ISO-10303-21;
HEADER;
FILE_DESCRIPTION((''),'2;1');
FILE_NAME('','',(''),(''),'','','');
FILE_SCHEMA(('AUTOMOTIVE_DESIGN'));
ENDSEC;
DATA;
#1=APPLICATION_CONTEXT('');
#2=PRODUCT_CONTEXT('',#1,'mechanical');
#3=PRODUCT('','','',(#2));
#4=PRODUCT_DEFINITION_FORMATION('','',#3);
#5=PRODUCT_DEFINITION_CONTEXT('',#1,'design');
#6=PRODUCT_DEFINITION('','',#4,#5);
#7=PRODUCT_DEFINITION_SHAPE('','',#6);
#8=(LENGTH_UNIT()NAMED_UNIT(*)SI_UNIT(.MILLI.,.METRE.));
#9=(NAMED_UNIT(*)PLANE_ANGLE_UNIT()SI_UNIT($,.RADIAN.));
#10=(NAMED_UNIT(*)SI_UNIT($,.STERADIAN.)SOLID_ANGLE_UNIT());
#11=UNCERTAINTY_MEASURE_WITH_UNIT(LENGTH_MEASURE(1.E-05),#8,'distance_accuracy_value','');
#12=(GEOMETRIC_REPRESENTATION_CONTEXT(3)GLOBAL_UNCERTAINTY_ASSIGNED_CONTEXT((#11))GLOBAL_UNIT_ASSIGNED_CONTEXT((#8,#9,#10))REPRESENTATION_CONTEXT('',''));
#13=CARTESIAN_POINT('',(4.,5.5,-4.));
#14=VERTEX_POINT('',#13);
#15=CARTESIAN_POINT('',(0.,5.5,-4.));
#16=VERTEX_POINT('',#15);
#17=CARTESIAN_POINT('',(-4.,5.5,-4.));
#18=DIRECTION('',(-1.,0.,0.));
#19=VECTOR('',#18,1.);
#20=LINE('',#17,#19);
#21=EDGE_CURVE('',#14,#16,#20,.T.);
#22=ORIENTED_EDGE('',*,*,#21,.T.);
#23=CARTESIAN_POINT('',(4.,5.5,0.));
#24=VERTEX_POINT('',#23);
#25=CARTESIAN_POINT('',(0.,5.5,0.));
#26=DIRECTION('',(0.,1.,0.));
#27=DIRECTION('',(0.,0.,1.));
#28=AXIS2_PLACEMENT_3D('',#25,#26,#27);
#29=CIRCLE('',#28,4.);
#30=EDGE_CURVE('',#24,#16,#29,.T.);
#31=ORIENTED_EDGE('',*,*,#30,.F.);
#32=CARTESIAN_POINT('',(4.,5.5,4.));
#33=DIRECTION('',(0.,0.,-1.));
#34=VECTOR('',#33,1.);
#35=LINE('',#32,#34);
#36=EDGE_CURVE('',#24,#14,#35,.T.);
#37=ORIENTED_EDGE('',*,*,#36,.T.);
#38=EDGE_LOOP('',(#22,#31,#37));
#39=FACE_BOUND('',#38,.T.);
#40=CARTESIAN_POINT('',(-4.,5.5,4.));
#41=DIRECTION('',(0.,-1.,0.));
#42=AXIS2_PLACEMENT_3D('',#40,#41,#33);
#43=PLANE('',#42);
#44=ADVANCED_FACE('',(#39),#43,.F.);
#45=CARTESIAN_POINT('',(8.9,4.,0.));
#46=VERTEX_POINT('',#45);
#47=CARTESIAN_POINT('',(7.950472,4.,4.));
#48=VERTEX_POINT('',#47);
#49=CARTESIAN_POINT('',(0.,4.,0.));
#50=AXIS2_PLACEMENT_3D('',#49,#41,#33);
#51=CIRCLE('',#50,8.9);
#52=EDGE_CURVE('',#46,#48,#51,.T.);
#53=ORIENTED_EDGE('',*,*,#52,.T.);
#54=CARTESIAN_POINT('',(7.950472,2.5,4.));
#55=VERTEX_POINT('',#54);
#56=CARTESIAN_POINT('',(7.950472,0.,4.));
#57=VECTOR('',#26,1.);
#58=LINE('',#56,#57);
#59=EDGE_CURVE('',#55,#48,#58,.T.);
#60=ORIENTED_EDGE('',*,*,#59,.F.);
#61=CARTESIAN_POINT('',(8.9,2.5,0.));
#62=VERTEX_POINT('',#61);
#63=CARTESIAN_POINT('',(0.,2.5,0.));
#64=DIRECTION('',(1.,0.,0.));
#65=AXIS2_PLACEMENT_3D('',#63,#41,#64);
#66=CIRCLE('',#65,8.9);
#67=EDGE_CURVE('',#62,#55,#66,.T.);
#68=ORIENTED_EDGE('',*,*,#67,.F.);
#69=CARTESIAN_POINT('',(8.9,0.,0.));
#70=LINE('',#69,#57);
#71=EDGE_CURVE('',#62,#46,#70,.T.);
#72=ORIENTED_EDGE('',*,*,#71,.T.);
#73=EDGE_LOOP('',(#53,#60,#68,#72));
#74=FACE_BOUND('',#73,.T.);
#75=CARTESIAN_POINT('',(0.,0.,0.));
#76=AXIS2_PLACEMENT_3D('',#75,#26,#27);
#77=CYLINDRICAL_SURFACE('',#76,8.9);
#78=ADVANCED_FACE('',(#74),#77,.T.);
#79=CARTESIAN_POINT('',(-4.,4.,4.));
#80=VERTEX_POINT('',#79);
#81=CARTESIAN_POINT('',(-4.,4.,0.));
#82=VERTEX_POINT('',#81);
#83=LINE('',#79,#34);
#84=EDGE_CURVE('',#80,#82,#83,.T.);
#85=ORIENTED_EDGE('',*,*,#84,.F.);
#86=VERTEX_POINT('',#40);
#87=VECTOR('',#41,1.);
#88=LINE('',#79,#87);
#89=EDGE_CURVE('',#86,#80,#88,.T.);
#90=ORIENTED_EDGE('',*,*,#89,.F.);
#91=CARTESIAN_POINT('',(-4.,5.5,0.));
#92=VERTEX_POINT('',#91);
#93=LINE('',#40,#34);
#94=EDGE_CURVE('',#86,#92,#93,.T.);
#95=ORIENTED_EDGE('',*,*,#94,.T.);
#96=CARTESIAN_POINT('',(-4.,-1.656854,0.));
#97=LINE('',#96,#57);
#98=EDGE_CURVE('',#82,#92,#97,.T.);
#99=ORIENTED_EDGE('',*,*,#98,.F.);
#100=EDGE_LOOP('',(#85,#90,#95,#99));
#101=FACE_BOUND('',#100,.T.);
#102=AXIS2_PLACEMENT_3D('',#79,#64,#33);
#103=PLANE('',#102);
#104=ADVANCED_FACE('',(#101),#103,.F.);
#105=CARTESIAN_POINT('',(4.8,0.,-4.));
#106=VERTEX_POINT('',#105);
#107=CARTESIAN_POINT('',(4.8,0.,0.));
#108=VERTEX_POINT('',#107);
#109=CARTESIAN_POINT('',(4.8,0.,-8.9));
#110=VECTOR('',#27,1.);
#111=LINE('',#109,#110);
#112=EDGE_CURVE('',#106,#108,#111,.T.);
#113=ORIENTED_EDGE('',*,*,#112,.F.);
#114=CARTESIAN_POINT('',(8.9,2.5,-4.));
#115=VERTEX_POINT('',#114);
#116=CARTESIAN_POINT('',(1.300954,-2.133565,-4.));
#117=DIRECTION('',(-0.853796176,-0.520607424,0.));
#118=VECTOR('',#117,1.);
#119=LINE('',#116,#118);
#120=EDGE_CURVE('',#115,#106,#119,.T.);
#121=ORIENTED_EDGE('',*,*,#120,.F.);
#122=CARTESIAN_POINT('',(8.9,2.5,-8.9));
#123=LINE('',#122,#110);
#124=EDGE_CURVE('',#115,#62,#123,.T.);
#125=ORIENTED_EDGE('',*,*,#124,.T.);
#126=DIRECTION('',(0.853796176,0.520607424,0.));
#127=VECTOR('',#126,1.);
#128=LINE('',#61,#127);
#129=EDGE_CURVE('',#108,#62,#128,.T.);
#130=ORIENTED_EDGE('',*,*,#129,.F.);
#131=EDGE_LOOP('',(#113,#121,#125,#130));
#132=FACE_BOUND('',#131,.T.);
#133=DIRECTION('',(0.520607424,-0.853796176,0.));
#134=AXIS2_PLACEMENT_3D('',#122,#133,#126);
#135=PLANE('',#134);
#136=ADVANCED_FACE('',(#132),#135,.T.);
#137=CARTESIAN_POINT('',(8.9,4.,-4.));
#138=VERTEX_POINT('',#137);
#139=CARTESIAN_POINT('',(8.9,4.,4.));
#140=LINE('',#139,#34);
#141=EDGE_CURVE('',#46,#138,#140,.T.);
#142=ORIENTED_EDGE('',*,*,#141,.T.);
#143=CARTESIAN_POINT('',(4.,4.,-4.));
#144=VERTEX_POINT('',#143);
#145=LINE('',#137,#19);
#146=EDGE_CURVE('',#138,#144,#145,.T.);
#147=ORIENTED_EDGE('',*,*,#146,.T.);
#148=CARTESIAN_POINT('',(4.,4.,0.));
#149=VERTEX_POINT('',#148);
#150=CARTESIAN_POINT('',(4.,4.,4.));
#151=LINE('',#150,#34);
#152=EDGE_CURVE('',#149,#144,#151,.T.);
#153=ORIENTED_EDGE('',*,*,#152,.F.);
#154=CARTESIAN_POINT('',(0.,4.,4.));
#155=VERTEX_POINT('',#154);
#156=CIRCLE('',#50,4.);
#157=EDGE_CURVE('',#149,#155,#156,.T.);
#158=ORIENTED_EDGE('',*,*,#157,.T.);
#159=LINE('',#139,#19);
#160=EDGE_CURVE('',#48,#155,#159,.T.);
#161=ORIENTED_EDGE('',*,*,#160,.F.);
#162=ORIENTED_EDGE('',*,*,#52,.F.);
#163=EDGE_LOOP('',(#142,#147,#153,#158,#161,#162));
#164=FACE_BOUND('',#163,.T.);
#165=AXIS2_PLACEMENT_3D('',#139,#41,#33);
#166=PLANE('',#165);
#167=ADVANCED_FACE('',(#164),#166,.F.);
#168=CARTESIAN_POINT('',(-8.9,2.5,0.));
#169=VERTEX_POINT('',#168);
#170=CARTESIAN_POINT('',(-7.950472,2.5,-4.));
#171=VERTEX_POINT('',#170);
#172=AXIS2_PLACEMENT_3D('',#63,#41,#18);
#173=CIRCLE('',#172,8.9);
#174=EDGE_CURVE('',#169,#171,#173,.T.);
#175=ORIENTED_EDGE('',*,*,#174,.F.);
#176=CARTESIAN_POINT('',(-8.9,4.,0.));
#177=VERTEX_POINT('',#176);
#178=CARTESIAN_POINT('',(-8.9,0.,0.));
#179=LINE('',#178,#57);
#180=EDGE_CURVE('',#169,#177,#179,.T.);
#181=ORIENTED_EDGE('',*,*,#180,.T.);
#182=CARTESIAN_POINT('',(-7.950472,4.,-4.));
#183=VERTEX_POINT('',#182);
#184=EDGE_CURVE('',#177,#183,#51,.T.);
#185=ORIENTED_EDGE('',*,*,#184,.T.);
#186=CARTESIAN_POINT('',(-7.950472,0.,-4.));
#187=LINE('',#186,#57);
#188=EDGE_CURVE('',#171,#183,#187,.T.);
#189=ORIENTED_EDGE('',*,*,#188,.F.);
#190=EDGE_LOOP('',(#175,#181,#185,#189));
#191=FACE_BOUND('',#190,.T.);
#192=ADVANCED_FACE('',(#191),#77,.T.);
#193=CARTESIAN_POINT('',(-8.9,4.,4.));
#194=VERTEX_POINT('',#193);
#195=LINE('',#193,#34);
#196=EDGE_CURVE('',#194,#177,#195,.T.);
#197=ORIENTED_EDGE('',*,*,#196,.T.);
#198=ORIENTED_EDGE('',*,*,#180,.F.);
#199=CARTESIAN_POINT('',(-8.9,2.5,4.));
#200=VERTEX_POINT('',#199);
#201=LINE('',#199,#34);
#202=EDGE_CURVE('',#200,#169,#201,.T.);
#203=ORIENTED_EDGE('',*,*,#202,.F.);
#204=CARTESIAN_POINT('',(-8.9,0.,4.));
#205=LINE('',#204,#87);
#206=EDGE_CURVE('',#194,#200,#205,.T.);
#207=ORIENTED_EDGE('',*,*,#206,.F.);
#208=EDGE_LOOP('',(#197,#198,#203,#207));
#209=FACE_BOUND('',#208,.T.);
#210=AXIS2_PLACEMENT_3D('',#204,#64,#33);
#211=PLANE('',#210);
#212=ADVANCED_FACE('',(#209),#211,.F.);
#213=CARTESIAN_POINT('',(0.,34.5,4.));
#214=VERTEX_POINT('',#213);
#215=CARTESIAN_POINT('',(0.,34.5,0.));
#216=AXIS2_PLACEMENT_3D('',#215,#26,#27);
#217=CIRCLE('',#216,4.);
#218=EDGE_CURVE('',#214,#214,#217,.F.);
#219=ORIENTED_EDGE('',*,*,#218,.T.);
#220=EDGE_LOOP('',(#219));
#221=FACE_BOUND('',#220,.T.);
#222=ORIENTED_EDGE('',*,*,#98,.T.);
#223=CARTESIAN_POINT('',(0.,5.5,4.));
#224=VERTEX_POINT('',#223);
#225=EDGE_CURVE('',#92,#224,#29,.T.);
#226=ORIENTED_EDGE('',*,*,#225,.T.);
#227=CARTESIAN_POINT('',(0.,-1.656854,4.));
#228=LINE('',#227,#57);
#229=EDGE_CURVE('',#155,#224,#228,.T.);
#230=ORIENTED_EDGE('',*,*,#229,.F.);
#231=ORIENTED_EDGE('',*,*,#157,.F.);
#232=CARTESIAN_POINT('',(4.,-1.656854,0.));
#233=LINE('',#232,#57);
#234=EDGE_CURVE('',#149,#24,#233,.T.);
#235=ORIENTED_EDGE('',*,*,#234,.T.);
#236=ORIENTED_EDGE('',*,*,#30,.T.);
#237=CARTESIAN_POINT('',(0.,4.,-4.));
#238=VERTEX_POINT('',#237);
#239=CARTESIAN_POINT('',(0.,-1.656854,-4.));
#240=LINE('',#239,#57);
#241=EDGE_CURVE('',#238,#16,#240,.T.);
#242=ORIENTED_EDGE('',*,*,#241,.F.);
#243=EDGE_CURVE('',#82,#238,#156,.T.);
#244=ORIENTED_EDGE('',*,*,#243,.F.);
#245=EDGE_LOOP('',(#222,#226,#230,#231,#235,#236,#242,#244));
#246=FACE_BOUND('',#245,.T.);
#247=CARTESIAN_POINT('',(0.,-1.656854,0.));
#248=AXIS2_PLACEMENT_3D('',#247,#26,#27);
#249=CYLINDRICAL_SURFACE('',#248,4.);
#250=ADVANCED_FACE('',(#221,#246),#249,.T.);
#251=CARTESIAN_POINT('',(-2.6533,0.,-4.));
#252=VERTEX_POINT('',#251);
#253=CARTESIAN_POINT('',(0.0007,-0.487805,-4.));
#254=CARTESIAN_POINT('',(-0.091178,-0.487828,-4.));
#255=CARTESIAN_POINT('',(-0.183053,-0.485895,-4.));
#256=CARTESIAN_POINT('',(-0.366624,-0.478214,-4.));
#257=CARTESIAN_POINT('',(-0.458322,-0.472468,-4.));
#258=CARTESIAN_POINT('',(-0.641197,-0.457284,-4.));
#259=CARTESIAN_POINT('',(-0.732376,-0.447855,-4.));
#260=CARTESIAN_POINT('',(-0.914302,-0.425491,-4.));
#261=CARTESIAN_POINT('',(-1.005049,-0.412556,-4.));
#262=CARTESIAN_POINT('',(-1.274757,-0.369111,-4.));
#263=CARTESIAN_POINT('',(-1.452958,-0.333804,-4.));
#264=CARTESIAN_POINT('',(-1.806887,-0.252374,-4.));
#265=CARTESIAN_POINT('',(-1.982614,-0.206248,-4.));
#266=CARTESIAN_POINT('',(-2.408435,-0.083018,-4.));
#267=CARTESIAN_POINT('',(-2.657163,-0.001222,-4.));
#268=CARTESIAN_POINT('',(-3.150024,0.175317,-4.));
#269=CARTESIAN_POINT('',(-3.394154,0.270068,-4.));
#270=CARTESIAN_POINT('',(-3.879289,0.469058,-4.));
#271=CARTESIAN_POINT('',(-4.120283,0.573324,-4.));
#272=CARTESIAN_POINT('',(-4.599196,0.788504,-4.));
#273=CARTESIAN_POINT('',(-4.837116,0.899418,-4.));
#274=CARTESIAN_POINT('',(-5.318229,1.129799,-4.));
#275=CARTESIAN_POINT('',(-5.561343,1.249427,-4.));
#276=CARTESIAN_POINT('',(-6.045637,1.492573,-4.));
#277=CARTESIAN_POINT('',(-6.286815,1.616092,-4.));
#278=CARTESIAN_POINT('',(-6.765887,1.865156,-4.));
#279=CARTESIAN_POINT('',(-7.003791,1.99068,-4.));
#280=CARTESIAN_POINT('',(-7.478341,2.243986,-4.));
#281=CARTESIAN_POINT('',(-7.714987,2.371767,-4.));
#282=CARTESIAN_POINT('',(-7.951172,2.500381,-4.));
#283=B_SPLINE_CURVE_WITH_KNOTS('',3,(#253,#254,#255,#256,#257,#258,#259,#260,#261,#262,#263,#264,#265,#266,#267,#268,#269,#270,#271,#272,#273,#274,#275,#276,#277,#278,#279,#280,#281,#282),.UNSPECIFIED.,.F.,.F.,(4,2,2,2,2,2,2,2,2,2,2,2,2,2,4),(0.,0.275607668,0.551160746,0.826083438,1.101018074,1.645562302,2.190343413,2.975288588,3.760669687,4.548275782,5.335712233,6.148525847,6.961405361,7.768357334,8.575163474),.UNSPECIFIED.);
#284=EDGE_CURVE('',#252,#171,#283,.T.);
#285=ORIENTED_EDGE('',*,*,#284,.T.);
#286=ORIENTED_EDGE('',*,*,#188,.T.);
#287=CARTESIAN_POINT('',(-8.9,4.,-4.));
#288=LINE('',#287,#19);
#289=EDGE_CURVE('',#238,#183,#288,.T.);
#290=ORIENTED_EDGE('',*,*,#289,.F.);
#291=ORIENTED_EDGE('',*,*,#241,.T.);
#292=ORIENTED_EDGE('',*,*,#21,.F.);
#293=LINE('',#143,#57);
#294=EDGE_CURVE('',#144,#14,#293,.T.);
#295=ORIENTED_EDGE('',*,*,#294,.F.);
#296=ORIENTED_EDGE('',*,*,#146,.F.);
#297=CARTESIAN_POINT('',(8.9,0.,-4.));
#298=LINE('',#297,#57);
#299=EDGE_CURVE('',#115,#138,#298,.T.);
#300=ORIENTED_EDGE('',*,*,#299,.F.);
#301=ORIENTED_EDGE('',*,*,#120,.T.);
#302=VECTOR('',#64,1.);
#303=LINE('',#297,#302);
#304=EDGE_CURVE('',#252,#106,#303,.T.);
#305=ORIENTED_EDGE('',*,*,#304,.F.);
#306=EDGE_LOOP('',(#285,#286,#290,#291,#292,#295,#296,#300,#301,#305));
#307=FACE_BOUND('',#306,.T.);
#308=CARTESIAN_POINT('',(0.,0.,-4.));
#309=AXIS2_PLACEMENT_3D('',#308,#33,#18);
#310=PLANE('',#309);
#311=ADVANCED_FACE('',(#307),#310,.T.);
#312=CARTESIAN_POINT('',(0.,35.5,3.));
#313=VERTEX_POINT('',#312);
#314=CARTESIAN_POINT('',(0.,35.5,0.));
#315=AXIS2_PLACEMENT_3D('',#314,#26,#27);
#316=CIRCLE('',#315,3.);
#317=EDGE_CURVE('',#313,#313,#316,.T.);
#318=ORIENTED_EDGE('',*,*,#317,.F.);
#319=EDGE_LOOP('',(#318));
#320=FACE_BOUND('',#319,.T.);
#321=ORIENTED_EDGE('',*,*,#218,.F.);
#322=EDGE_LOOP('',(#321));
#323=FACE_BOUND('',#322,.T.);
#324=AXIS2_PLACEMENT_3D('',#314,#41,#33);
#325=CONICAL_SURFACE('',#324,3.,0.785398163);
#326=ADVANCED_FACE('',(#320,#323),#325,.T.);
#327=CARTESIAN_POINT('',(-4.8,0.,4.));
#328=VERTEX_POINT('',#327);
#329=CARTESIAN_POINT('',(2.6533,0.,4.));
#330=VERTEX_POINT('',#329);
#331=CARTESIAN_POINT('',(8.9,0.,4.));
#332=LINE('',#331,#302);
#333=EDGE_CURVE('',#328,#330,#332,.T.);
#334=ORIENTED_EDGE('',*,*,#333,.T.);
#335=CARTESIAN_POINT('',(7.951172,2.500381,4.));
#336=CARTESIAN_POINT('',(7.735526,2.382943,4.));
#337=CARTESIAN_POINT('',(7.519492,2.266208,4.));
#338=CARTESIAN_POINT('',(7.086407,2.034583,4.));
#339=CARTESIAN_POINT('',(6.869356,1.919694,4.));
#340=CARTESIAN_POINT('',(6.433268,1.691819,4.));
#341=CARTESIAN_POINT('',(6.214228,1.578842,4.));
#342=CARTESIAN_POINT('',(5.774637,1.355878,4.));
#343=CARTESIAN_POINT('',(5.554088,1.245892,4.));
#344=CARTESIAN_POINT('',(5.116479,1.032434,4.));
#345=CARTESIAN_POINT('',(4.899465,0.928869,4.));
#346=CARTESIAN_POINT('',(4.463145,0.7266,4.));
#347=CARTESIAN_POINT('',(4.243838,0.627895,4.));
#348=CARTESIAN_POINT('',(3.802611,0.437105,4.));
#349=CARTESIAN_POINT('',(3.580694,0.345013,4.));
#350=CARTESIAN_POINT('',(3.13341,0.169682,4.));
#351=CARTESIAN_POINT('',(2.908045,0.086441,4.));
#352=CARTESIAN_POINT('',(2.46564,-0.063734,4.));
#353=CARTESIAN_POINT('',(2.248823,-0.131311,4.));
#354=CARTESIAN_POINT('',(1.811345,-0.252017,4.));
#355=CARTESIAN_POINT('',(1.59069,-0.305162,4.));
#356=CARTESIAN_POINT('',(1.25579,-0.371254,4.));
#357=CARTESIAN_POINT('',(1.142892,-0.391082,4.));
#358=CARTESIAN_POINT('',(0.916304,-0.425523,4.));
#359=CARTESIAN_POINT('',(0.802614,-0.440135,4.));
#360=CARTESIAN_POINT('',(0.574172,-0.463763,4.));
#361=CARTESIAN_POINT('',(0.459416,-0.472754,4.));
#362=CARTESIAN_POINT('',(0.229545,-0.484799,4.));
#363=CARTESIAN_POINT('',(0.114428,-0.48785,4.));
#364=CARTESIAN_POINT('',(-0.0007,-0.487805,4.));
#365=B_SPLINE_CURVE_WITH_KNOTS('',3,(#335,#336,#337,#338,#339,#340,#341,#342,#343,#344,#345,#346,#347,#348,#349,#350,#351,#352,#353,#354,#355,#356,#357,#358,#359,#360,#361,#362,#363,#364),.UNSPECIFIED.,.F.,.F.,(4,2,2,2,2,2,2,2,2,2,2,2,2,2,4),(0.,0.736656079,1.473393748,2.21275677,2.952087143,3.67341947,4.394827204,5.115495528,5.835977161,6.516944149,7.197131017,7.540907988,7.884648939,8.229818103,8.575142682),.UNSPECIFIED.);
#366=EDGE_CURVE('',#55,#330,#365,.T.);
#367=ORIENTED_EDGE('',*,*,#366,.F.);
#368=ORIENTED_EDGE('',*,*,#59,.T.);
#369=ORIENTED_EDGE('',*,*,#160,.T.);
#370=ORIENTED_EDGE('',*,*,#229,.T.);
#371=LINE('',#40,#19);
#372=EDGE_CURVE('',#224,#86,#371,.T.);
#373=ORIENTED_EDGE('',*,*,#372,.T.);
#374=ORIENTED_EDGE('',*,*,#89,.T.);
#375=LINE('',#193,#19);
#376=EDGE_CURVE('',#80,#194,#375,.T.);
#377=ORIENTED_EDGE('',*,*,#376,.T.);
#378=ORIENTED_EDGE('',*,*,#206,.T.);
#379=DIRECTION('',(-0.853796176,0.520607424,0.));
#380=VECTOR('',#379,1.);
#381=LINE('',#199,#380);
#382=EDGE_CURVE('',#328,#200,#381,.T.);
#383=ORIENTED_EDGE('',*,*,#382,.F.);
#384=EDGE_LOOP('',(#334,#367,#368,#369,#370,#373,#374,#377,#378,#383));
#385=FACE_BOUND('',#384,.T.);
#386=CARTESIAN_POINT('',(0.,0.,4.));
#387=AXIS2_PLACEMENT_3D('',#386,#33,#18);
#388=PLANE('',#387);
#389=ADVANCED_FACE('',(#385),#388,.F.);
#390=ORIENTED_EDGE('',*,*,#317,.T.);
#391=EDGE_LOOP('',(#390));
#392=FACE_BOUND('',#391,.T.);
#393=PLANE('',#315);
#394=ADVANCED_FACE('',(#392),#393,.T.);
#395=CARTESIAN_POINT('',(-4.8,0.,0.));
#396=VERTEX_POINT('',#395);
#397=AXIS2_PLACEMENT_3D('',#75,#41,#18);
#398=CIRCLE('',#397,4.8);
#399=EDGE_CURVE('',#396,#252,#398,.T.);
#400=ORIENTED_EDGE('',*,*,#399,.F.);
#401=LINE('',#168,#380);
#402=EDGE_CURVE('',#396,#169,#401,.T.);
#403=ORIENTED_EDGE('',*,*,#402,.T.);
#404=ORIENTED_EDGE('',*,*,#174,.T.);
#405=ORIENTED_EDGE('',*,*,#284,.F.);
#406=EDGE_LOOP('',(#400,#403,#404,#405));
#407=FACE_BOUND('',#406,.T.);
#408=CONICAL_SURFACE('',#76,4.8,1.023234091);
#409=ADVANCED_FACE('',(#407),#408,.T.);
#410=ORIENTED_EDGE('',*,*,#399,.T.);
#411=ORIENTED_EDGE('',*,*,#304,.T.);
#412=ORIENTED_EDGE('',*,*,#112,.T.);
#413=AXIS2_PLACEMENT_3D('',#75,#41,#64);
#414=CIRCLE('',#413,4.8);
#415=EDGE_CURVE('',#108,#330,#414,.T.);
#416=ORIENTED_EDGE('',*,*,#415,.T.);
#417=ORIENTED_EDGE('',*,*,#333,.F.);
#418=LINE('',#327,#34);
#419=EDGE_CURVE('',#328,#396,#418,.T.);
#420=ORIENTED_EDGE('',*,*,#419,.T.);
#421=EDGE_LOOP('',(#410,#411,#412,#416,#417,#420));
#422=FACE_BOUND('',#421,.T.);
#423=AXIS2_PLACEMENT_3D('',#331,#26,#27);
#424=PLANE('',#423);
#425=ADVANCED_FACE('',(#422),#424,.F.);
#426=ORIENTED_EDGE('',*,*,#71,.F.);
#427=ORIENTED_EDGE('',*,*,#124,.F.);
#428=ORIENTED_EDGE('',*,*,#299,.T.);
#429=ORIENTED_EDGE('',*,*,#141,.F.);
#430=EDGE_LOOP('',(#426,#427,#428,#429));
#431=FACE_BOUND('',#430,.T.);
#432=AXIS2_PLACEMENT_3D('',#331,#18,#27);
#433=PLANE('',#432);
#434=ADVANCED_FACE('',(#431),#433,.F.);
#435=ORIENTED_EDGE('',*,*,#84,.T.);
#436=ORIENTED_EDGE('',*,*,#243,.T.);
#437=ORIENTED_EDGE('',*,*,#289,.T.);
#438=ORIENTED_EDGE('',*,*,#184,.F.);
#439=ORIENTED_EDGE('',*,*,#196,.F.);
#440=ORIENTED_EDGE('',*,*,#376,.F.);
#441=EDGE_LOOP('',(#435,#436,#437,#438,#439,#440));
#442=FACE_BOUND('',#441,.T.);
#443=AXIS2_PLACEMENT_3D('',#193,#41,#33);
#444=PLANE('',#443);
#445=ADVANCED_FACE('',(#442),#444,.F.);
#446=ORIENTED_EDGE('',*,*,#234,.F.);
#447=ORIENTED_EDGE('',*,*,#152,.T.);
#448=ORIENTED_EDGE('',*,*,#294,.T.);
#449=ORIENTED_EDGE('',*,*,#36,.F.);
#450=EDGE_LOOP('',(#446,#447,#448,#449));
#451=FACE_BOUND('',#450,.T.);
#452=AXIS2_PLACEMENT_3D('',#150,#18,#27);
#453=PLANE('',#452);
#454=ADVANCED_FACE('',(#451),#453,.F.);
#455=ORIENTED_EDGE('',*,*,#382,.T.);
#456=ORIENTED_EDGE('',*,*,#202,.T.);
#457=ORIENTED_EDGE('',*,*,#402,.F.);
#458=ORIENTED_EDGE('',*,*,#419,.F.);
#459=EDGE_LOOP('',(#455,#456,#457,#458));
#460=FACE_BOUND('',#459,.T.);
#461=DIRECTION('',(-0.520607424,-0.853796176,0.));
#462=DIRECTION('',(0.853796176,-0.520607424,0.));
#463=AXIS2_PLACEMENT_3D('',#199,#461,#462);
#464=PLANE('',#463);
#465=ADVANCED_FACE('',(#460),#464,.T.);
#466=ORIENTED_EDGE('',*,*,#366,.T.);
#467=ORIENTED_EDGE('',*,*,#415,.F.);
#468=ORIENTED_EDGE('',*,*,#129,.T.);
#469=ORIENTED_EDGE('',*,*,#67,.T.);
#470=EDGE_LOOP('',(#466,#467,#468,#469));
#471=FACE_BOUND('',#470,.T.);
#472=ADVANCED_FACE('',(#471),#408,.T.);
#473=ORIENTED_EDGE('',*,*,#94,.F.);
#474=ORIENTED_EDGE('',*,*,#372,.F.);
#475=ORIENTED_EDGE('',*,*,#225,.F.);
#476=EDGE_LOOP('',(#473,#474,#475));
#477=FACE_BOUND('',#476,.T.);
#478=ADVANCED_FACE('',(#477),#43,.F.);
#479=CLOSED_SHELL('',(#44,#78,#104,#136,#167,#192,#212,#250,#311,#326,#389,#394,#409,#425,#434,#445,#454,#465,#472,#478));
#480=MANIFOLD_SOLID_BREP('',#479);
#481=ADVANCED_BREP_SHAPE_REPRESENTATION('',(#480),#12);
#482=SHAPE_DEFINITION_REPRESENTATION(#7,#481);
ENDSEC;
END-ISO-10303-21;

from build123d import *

# Parameters (mm, degrees)
EXTRUDE_1_DEPTH     = 4
CUT_EXTRUDE_1_DEPTH = 1.5
SKETCH_2_R          = 4
EXTRUDE_2_DEPTH     = 30
CUT_EXTRUDE_2_DEPTH = 5
CHAMFER_2_SIZE      = 1


with BuildPart() as part:
    # Эскиз1 → Бобышка-Вытянуть1 (new body, symmetric)
    with BuildSketch(Plane.XY):
        Polygon((8.9, 0), (-8.9, 0), (-8.9, 4), (-4, 4), (-4, 5.5), (4, 5.5), (4, 4), (8.9, 4), align=None)
    extrude(amount=EXTRUDE_1_DEPTH, both=True)

    # Эскиз3 → Вырез-Вытянуть1 (cut)
    with BuildSketch(Plane(origin=(0, 5.5, 0), x_dir=(1, 0, 0), z_dir=(0, 1, 0))):
        with BuildLine():
            Line((-4, 0), (-4, 4))
            Line((-4, 4), (0, 4))
            ThreePointArc((0, 4), (-2.828427125, 2.828427125), (-4, 0))
        make_face()
        with BuildLine():
            Line((0, -4), (4, -4))
            Line((4, -4), (4, 0))
            ThreePointArc((4, 0), (2.828427125, -2.828427125), (0, -4))
        make_face()
    extrude(amount=-CUT_EXTRUDE_1_DEPTH, mode=Mode.SUBTRACT)

    # Эскиз2 → Бобышка-Вытянуть2 (add)
    with BuildSketch(Plane(origin=(0, 5.5, 0), x_dir=(1, 0, 0), z_dir=(0, 1, 0))):
        with Locations(Location((0, 0, 0), (0, 0, 270))):  # turned: the seam where the file's is
            Circle(SKETCH_2_R)
    extrude(amount=EXTRUDE_2_DEPTH)

    # Эскиз4 → Вырез-Вытянуть2 (cut, through all)
    with BuildSketch(Plane(origin=(0, 4, 0), x_dir=(1, 0, 0), z_dir=(0, 1, 0))):
        with BuildLine():
            Line((-7.950471684, 4), (-8.9, 4))
            Line((-8.9, 4), (-8.9, 0))
            ThreePointArc((-8.9, 0), (-8.659364815, 2.055578022), (-7.950471684, 4))
        make_face()
        with BuildLine():
            Line((7.950471684, -4), (8.9, -4))
            Line((8.9, -4), (8.9, 0))
            ThreePointArc((8.9, 0), (8.659364815, -2.055578022), (7.950471684, -4))
        make_face()
    extrude(amount=-CUT_EXTRUDE_2_DEPTH, mode=Mode.SUBTRACT)

    # Вырез-По траектории1: sweep along a path in Эскиз6
    with BuildLine(Plane.XZ) as sweep_1_path:
        Line((0, -8.9), (8.9, -8.9))
        Line((8.9, -8.9), (8.9, 0))
        ThreePointArc((8.9, 0), (6.293250353, 6.293250353), (0, 8.9))
        Line((0, 8.9), (-8.9, 8.9))
        Line((-8.9, 8.9), (-8.9, 0))
        ThreePointArc((-8.9, 0), (-6.293250353, -6.293250353), (0, -8.9))
    # Эскиз5 → Вырез-По траектории1 (sweep, cut)
    with BuildSketch(Plane.XY.offset(4)):
        Polygon((-8.9, 2.5), (-4.8, 0), (-8.9, 0), align=None)
    sweep(path=sweep_1_path.line, transition=Transition.RIGHT, mode=Mode.SUBTRACT)

    # Фаска2
    chamfer_2_edges = [part.edges().sort_by_distance(p)[0] for p in [
        (0, 35.5, -4),
    ]]
    chamfer(chamfer_2_edges, length=CHAMFER_2_SIZE)


solid = part.part
